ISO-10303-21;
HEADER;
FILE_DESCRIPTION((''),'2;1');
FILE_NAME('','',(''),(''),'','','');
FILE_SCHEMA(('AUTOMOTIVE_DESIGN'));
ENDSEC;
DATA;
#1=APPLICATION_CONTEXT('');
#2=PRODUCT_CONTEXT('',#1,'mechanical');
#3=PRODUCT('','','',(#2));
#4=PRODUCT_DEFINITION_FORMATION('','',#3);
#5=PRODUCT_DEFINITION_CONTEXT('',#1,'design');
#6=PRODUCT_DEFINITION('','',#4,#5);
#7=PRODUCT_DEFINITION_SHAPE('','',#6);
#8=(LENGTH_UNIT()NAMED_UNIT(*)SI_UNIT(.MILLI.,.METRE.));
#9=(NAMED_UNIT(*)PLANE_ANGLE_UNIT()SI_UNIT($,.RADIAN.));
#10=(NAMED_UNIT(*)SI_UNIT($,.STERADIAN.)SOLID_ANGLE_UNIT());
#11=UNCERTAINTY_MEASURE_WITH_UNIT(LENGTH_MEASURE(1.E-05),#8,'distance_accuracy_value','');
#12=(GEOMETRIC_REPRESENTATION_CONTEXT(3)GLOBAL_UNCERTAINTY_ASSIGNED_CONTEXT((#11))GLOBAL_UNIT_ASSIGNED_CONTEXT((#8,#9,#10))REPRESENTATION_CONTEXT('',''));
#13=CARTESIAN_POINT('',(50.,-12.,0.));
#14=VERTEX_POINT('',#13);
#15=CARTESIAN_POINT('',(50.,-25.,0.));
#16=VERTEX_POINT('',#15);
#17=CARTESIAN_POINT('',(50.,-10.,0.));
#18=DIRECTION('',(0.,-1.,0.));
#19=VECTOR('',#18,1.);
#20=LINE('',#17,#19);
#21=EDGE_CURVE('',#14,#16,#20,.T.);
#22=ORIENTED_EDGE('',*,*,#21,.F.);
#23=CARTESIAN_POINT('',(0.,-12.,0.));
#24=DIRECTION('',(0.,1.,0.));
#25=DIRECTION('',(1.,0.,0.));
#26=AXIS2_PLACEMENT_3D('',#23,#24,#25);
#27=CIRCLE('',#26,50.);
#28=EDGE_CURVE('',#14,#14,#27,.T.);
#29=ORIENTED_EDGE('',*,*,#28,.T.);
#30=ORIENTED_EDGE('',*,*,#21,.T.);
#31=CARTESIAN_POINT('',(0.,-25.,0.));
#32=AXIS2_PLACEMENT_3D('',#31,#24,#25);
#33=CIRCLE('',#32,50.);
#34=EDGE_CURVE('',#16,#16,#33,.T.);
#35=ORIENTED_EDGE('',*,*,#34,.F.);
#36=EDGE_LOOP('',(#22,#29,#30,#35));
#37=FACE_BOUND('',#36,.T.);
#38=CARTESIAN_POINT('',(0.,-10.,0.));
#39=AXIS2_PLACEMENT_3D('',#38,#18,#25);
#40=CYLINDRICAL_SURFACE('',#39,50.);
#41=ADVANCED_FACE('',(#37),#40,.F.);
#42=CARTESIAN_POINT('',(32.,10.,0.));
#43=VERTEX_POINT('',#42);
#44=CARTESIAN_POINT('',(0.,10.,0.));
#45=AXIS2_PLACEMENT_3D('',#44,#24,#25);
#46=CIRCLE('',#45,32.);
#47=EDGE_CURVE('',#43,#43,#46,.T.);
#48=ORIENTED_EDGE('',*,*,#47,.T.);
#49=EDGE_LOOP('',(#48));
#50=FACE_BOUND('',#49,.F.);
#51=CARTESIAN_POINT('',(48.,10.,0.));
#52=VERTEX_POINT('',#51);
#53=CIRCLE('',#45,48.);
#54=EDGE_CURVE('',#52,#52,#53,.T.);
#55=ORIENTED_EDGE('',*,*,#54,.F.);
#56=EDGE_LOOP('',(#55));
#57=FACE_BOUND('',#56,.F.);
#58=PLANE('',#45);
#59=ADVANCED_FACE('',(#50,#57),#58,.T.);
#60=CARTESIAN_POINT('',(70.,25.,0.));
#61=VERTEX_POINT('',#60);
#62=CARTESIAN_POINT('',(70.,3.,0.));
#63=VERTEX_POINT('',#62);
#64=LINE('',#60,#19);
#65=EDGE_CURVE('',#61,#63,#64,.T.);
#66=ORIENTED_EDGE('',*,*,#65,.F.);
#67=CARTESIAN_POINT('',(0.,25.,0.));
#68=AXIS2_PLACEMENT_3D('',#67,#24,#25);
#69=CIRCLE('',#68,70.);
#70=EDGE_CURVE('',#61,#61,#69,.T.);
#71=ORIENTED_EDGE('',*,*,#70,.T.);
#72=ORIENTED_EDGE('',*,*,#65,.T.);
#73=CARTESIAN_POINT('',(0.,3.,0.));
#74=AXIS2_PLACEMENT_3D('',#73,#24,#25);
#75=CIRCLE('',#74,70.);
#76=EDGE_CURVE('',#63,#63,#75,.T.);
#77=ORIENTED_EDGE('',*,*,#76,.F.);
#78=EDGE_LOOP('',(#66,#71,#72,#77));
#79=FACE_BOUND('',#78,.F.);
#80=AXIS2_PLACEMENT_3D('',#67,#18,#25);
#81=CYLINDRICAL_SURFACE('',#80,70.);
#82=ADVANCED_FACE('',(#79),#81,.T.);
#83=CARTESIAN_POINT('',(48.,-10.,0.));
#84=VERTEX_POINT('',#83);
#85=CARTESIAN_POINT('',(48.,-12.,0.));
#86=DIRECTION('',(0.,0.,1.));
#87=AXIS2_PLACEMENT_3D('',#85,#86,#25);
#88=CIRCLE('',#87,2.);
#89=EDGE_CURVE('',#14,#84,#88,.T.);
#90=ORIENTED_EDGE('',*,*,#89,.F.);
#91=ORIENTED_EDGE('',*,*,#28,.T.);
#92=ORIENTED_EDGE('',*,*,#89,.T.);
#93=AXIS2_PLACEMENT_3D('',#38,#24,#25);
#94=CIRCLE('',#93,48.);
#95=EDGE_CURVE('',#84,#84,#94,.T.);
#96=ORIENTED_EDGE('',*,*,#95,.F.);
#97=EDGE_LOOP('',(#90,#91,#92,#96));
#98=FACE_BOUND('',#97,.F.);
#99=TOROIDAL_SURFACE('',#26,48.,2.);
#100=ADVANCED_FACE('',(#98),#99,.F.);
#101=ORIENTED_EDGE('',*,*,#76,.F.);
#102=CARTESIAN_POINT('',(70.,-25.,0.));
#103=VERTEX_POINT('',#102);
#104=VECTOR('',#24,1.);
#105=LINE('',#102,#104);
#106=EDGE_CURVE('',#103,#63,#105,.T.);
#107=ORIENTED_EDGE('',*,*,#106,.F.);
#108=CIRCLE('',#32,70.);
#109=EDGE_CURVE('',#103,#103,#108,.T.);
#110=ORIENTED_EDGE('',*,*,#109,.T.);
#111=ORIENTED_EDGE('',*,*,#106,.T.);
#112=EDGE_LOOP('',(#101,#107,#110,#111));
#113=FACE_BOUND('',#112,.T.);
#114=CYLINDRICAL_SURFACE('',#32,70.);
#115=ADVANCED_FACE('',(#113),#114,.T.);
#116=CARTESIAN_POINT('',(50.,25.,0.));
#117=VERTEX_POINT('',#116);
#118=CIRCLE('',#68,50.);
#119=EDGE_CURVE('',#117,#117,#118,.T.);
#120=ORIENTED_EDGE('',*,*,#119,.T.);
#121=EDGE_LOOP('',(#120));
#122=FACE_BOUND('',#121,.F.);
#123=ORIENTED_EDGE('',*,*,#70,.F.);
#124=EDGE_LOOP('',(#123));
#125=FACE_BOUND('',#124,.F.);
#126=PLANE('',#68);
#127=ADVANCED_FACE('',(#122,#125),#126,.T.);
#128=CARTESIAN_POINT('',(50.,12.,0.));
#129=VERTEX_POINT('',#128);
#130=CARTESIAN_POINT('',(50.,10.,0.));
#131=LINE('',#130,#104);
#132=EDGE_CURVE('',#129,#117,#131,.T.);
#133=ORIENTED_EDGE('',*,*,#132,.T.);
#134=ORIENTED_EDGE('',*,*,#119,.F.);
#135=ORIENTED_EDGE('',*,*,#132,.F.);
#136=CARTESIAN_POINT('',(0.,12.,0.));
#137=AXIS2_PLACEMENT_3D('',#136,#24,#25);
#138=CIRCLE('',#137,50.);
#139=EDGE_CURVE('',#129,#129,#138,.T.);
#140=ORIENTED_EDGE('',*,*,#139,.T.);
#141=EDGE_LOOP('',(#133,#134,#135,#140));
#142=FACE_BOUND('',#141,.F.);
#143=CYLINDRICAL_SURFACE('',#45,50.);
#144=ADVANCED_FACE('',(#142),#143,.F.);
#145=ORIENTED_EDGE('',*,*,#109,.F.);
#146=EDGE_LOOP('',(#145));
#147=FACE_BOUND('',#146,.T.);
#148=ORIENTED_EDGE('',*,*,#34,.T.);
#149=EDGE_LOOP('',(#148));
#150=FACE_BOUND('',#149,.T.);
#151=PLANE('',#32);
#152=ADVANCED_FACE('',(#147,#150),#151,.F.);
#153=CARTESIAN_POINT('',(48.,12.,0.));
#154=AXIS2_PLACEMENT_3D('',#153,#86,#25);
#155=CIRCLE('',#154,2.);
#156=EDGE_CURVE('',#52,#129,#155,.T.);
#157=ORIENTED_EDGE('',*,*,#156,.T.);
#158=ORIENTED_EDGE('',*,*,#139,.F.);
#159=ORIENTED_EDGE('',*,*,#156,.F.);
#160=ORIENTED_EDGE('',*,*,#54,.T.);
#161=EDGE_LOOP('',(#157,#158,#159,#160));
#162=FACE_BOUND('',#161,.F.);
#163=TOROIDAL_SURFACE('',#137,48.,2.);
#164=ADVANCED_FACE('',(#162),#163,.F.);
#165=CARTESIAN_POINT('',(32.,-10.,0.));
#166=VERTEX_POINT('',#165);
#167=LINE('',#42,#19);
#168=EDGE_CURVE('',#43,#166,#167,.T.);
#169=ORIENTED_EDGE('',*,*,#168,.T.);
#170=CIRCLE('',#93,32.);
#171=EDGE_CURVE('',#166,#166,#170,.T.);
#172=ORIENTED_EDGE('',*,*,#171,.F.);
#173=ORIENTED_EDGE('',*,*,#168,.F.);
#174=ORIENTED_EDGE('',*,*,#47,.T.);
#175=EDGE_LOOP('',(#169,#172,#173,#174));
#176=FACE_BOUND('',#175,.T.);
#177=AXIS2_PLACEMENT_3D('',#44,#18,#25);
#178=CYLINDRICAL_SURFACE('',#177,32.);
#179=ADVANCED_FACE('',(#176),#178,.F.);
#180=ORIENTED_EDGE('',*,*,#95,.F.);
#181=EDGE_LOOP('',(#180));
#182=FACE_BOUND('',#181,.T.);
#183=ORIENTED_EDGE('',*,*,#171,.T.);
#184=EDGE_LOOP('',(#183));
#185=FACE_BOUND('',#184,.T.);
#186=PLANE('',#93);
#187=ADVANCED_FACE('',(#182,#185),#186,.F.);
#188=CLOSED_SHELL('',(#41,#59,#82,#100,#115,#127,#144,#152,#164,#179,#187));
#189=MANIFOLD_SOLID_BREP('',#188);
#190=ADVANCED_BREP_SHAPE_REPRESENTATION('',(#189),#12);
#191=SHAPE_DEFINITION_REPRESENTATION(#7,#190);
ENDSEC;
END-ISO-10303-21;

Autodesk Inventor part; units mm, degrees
ref_plane "YZ Plane" through (0, 0, 0) normal (1, 0, 0) x (0, 1, 0)
ref_plane "XZ Plane" through (0, 0, 0) normal (0, 1, 0) x (-1, 0, 0)
ref_plane "XY Plane" through (0, 0, 0) normal (0, 0, 1) x (1, 0, 0)
sketch "Эскиз1" plane through (0, 0, 0) normal (0, 0, 1) x (1, 0, 0)
  line L0 (0, 0) -> (0, 10)
  line L1 (0, 10) -> (50, 10)
  line L2 (50, 10) -> (50, 25)
  line L3 (50, 25) -> (70, 25)
  line L4 (70, 25) -> (70, 3)
  line L5 (0, 0) -> (4.3397, 0)
  line L6 (0, -10) -> (50, -10)
  line L7 (50, -10) -> (50, -25)
  line L8 (50, -25) -> (70, -25)
  line L9 (70, -25) -> (70, 3)
  line L10 (0, 10) -> (32, 10)
  line L11 (32, 10) -> (32, -10)
  dimension "d0" = 10
  dimension "d1" = 50
  dimension "d2" = 15
  dimension "d3" = 20
  dimension "d4" = 32
revolve "Вращение1" add sketch "Эскиз1" angle 360 about axis through (0, 0, 0) along (0, 1, 0)
fillet "Сопряжение1" radius 2 2 edges at (-50, 10, 0) (-50, -10, 0)
properties part number "Корпус сальника перегородка 1_CPY" material "Чугун, серый"
